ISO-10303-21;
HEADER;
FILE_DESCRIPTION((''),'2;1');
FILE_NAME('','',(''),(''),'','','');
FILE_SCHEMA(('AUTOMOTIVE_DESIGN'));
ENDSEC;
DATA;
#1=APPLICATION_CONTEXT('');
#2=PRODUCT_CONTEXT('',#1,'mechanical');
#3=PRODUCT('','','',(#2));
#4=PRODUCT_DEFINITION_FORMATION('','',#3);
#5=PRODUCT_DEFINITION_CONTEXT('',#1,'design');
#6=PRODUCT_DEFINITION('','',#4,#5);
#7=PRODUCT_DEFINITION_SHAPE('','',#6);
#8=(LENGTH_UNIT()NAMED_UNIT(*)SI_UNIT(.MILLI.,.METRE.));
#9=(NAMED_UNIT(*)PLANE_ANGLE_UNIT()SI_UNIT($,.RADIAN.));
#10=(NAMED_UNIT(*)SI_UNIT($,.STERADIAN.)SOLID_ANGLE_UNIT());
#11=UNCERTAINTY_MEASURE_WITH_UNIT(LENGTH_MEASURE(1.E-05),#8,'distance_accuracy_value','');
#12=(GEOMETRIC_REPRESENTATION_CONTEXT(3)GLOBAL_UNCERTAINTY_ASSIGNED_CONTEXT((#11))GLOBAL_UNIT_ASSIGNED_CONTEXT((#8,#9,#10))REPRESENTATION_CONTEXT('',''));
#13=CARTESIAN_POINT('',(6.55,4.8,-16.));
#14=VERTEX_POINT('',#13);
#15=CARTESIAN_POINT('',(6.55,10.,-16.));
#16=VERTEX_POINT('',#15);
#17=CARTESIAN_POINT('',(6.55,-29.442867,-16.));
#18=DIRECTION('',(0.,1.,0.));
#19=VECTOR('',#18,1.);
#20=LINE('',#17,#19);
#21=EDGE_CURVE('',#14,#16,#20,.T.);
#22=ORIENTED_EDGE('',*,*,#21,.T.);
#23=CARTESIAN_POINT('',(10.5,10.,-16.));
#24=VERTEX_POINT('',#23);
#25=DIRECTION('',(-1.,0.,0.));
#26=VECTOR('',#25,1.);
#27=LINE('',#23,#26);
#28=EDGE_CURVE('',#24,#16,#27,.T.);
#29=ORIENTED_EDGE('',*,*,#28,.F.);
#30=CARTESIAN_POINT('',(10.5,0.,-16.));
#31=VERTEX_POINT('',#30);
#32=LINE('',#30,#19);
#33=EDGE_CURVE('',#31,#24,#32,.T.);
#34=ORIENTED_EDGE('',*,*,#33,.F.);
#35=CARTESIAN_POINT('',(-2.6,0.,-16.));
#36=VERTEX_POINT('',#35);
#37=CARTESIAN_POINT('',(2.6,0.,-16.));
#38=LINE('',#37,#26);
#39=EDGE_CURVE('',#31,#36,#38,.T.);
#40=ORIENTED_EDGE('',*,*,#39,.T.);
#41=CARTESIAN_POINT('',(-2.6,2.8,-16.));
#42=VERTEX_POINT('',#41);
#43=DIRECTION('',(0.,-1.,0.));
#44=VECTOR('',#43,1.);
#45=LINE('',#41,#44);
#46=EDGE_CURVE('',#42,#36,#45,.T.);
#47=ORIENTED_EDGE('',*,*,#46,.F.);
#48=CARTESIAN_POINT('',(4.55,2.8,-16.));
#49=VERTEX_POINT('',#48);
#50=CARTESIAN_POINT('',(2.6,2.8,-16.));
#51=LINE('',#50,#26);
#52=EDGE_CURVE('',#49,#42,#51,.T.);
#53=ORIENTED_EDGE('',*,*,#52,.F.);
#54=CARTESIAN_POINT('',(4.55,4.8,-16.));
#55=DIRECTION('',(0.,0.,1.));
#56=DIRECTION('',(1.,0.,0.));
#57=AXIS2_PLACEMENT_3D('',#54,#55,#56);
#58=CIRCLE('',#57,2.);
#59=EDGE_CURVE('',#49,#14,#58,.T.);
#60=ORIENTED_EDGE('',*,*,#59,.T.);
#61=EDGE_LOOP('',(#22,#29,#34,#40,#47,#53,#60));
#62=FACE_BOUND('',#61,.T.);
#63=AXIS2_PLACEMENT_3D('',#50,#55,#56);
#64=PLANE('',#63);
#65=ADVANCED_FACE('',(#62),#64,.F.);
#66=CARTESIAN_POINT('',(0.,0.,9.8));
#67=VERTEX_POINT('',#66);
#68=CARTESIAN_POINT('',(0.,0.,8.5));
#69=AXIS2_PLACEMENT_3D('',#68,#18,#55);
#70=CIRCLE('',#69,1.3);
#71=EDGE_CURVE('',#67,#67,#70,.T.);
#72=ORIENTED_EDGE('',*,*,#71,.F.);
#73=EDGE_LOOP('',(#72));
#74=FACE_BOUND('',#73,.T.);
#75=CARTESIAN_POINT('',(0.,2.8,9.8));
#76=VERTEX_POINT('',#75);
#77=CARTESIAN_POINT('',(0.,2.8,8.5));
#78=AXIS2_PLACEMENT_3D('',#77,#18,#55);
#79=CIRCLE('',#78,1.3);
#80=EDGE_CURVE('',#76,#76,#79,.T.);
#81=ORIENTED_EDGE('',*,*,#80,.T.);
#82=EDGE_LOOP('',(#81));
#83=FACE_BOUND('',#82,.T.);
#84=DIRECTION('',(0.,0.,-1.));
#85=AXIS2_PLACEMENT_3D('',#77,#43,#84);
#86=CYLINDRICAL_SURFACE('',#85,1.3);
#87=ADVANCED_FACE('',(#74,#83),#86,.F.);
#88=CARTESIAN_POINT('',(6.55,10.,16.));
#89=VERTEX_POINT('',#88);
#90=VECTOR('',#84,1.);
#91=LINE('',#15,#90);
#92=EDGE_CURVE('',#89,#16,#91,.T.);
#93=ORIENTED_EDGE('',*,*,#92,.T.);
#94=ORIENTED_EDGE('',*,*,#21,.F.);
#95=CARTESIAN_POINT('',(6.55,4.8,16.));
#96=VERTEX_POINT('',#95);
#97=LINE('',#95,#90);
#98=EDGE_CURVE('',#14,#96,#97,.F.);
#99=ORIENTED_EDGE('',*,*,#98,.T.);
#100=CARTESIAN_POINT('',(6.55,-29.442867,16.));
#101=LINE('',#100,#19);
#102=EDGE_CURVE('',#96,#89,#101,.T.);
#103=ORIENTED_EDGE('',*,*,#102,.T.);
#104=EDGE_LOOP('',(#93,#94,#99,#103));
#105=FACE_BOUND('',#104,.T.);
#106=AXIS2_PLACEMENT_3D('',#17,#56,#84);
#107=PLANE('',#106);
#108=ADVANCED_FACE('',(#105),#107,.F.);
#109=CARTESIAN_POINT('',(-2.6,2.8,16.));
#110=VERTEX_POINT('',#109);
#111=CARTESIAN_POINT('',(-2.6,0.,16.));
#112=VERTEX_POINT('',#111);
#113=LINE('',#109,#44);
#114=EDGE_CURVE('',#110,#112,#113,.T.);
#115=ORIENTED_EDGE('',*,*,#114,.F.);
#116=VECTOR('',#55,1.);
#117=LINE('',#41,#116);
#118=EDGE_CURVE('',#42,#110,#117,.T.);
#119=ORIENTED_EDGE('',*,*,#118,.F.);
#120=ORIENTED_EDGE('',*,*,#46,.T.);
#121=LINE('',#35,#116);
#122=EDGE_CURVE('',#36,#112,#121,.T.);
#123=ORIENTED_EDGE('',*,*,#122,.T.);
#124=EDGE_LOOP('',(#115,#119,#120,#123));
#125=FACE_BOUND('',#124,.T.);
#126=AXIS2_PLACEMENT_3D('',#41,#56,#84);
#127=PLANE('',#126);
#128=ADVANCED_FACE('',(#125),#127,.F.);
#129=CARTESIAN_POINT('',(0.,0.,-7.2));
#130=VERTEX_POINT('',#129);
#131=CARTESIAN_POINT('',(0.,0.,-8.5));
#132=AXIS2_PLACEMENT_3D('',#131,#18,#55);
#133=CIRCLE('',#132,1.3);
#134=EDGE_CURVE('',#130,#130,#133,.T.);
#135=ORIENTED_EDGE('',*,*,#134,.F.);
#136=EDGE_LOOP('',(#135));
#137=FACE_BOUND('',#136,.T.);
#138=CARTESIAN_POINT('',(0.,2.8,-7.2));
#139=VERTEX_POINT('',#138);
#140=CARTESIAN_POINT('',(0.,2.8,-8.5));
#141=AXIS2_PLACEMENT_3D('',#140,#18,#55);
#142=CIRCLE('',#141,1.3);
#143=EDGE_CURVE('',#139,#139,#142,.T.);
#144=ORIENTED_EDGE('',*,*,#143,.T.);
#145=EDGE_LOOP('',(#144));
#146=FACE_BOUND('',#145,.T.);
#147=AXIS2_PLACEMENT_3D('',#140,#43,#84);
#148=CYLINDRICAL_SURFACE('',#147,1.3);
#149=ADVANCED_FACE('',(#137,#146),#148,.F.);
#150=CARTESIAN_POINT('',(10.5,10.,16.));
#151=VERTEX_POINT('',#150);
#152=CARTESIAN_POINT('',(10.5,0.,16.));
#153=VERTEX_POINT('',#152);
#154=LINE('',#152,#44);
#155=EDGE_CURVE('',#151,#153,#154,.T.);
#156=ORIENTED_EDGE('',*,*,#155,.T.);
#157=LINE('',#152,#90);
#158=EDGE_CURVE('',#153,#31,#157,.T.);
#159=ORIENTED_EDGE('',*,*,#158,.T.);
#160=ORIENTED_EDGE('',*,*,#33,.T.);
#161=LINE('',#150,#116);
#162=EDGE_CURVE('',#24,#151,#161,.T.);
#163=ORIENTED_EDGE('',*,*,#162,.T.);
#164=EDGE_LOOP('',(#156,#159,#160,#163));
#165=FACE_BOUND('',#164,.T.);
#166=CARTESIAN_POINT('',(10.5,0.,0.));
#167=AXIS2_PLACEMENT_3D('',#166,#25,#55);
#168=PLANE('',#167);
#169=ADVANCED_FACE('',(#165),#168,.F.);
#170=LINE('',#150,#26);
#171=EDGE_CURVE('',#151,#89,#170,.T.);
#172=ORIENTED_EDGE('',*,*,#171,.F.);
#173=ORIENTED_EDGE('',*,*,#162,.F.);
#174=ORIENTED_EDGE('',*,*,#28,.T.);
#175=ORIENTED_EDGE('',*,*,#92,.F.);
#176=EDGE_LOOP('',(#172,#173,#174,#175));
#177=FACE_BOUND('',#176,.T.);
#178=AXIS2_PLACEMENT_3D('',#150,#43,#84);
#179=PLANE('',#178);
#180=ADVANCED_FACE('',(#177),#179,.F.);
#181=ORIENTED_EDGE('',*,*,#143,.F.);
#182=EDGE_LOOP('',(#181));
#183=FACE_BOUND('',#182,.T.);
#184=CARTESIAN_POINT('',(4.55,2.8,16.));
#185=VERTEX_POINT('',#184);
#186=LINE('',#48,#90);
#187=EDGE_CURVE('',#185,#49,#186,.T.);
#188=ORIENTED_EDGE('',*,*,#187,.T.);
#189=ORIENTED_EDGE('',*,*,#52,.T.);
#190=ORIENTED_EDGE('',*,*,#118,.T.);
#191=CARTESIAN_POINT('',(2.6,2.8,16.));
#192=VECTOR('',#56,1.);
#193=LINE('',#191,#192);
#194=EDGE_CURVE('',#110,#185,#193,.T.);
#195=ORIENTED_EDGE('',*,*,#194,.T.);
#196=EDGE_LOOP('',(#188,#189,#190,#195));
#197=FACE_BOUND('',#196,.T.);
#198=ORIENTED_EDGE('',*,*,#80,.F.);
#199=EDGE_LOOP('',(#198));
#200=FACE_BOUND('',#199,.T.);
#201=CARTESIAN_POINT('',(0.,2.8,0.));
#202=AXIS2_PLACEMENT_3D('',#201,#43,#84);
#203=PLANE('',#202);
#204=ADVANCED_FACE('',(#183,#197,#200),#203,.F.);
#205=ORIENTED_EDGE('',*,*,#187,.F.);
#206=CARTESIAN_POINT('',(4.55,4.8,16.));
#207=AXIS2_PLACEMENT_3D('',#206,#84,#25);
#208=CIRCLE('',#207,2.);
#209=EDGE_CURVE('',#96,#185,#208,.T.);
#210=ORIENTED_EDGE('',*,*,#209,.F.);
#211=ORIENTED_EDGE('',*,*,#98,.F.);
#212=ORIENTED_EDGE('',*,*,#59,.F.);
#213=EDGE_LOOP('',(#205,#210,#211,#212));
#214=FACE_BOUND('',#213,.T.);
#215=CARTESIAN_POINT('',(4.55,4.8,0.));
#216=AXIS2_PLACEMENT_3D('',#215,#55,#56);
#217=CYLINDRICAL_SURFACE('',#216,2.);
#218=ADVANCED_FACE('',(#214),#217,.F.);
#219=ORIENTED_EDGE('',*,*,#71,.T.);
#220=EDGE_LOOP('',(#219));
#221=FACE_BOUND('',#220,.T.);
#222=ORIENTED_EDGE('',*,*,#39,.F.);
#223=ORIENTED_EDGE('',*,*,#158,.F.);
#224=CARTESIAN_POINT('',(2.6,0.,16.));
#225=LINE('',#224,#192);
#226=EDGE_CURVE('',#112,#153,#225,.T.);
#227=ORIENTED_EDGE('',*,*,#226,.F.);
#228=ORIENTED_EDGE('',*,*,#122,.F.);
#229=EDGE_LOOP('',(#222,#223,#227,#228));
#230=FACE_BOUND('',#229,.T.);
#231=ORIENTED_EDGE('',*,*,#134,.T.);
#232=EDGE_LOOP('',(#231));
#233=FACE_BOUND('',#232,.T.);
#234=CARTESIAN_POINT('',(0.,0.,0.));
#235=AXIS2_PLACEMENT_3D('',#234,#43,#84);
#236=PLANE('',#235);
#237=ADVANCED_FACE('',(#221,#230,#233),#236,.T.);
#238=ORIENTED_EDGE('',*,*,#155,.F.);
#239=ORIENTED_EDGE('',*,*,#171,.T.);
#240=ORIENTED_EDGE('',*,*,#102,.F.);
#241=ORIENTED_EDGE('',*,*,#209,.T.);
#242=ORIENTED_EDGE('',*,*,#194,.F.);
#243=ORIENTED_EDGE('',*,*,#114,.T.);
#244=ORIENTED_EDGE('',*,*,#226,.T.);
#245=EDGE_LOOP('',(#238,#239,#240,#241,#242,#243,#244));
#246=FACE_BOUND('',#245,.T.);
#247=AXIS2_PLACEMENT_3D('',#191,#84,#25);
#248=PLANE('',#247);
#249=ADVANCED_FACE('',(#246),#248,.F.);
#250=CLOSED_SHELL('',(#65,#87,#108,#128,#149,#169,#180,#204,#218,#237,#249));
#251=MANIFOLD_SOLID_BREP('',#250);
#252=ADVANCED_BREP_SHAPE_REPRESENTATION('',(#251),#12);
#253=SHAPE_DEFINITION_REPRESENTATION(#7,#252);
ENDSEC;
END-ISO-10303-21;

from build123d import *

# Parameters (mm, degrees)
SKETCH1_W           = 5.2
SKETCH1_H           = 32
SKETCH1_R           = 1.3
BOSS_EXTRUDE1_DEPTH = 2.8
SKETCH2_W           = 32
SKETCH2_H           = 10
BOSS_EXTRUDE2_DEPTH = 7.9
SKETCH3_W           = 3.95
SKETCH3_H           = 32
CUT_EXTRUDE1_DEPTH  = 7.2
FILLET1_R           = 2


with BuildPart() as part:
    # Sketch1 → Boss-Extrude1 (new body)
    with BuildSketch(Plane(origin=(0, 0, 0), x_dir=(1, 0, 0), z_dir=(0, 1, 0))):
        Rectangle(SKETCH1_W, SKETCH1_H)
        with Locations((0, -8.5)):
            Circle(SKETCH1_R, mode=Mode.SUBTRACT)
        with Locations((0, 8.5)):
            Circle(SKETCH1_R, mode=Mode.SUBTRACT)
    extrude(amount=BOSS_EXTRUDE1_DEPTH)

    # Sketch2 → Boss-Extrude2 (add)
    with BuildSketch(Plane(origin=(2.6, 0, 0), x_dir=(0, 0, -1), z_dir=(1, 0, 0))):
        with Locations((0, 5)):
            Rectangle(SKETCH2_W, SKETCH2_H)
    extrude(amount=BOSS_EXTRUDE2_DEPTH)

    # Sketch3 → Cut-Extrude1 (cut)
    with BuildSketch(Plane(origin=(0, 10, 0), x_dir=(1, 0, 0), z_dir=(0, 1, 0))):
        with Locations((4.575, 0)):
            Rectangle(SKETCH3_W, SKETCH3_H)
    extrude(amount=-CUT_EXTRUDE1_DEPTH, mode=Mode.SUBTRACT)

    # Fillet1
    fillet1_edges = [part.edges().sort_by_distance(p)[0] for p in [
        (6.55, 2.8, 0),
    ]]
    fillet(fillet1_edges, radius=FILLET1_R)


solid = part.part
